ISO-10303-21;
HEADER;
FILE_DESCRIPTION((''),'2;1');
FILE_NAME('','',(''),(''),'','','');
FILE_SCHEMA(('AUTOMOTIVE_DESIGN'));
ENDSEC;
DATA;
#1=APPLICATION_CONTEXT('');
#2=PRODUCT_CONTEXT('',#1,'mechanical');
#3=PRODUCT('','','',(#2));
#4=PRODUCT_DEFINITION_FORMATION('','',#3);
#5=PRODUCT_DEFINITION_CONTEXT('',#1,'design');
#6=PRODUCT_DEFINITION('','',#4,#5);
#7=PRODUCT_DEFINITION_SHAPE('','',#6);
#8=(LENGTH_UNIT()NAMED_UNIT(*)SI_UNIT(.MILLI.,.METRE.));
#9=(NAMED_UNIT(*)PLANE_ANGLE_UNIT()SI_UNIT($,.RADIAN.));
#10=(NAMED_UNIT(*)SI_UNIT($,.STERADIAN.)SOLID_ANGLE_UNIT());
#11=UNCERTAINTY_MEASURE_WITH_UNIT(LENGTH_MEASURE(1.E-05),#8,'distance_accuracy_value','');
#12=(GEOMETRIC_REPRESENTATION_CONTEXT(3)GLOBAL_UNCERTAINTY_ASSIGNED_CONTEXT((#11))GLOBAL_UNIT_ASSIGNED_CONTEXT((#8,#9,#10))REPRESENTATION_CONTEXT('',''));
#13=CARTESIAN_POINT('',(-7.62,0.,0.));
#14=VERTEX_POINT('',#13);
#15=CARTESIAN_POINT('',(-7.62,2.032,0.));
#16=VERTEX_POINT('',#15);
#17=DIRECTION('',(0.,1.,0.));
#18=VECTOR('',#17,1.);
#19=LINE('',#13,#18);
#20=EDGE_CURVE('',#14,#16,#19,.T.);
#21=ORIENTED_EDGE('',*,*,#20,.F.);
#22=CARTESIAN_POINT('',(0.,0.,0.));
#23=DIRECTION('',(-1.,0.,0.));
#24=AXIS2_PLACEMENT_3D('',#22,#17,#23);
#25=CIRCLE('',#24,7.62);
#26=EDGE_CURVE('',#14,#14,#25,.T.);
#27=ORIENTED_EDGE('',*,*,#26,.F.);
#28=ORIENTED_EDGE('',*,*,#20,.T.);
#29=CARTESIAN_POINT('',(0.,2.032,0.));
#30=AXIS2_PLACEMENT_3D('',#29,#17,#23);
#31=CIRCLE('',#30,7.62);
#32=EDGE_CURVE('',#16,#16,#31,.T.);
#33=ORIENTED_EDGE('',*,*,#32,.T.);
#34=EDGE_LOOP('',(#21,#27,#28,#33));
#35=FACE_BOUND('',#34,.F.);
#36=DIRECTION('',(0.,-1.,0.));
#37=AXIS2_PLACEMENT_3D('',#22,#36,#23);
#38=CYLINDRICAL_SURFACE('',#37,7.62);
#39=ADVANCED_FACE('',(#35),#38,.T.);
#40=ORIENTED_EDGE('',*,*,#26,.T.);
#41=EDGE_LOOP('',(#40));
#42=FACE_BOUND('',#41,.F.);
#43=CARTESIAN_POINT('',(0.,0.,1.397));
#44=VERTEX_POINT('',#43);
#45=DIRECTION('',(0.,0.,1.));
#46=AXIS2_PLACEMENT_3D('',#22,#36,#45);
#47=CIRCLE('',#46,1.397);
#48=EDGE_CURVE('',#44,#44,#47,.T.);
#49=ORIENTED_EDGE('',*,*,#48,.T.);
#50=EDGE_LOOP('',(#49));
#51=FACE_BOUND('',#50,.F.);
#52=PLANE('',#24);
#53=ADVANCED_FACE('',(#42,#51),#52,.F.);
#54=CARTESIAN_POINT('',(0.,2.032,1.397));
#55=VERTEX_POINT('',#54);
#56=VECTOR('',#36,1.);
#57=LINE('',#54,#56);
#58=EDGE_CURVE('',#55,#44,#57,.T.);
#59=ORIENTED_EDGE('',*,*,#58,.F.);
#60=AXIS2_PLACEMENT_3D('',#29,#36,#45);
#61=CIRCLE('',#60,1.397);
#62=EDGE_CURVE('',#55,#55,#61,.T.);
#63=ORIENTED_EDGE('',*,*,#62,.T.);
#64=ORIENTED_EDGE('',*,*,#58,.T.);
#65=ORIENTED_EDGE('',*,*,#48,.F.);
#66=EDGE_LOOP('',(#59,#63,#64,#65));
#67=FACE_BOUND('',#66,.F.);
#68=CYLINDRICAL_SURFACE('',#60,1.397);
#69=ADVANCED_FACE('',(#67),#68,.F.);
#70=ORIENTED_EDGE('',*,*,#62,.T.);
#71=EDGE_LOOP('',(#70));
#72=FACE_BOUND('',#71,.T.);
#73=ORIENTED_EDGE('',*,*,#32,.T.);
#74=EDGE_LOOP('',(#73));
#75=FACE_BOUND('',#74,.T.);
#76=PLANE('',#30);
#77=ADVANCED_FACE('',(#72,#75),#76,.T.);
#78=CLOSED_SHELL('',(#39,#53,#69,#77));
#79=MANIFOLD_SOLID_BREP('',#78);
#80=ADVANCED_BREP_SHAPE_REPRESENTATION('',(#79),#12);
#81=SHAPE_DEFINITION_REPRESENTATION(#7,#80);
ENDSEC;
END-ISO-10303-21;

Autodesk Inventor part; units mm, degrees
ref_plane "YZ Plane" through (0, 0, 0) normal (1, 0, 0) x (0, 1, 0)
ref_plane "XZ Plane" through (0, 0, 0) normal (0, 1, 0) x (-1, 0, 0)
ref_plane "XY Plane" through (0, 0, 0) normal (0, 0, 1) x (1, 0, 0)
sketch "Sketch1" plane through (0, 0, 0) normal (0, 1, 0) x (-1, 0, 0)
  circle A0 centre (0, 0) radius 7.62
  dimension "d0" = 15.24
extrude "Extrusion1" add sketch "Sketch1" along normal blind 2.032
sketch "Sketch2" plane through (0, 2.032, 0) normal (0, 1, 0) x (1, 0, 0)
  circle A0 centre (0, 0) radius 1.397
  dimension "d3" = 2.794
hole "Hole1" at (0, 2.032, 0) direction (0, -1, 0) diameter 2.794 end through all
properties part number "Crank Cover v1"
